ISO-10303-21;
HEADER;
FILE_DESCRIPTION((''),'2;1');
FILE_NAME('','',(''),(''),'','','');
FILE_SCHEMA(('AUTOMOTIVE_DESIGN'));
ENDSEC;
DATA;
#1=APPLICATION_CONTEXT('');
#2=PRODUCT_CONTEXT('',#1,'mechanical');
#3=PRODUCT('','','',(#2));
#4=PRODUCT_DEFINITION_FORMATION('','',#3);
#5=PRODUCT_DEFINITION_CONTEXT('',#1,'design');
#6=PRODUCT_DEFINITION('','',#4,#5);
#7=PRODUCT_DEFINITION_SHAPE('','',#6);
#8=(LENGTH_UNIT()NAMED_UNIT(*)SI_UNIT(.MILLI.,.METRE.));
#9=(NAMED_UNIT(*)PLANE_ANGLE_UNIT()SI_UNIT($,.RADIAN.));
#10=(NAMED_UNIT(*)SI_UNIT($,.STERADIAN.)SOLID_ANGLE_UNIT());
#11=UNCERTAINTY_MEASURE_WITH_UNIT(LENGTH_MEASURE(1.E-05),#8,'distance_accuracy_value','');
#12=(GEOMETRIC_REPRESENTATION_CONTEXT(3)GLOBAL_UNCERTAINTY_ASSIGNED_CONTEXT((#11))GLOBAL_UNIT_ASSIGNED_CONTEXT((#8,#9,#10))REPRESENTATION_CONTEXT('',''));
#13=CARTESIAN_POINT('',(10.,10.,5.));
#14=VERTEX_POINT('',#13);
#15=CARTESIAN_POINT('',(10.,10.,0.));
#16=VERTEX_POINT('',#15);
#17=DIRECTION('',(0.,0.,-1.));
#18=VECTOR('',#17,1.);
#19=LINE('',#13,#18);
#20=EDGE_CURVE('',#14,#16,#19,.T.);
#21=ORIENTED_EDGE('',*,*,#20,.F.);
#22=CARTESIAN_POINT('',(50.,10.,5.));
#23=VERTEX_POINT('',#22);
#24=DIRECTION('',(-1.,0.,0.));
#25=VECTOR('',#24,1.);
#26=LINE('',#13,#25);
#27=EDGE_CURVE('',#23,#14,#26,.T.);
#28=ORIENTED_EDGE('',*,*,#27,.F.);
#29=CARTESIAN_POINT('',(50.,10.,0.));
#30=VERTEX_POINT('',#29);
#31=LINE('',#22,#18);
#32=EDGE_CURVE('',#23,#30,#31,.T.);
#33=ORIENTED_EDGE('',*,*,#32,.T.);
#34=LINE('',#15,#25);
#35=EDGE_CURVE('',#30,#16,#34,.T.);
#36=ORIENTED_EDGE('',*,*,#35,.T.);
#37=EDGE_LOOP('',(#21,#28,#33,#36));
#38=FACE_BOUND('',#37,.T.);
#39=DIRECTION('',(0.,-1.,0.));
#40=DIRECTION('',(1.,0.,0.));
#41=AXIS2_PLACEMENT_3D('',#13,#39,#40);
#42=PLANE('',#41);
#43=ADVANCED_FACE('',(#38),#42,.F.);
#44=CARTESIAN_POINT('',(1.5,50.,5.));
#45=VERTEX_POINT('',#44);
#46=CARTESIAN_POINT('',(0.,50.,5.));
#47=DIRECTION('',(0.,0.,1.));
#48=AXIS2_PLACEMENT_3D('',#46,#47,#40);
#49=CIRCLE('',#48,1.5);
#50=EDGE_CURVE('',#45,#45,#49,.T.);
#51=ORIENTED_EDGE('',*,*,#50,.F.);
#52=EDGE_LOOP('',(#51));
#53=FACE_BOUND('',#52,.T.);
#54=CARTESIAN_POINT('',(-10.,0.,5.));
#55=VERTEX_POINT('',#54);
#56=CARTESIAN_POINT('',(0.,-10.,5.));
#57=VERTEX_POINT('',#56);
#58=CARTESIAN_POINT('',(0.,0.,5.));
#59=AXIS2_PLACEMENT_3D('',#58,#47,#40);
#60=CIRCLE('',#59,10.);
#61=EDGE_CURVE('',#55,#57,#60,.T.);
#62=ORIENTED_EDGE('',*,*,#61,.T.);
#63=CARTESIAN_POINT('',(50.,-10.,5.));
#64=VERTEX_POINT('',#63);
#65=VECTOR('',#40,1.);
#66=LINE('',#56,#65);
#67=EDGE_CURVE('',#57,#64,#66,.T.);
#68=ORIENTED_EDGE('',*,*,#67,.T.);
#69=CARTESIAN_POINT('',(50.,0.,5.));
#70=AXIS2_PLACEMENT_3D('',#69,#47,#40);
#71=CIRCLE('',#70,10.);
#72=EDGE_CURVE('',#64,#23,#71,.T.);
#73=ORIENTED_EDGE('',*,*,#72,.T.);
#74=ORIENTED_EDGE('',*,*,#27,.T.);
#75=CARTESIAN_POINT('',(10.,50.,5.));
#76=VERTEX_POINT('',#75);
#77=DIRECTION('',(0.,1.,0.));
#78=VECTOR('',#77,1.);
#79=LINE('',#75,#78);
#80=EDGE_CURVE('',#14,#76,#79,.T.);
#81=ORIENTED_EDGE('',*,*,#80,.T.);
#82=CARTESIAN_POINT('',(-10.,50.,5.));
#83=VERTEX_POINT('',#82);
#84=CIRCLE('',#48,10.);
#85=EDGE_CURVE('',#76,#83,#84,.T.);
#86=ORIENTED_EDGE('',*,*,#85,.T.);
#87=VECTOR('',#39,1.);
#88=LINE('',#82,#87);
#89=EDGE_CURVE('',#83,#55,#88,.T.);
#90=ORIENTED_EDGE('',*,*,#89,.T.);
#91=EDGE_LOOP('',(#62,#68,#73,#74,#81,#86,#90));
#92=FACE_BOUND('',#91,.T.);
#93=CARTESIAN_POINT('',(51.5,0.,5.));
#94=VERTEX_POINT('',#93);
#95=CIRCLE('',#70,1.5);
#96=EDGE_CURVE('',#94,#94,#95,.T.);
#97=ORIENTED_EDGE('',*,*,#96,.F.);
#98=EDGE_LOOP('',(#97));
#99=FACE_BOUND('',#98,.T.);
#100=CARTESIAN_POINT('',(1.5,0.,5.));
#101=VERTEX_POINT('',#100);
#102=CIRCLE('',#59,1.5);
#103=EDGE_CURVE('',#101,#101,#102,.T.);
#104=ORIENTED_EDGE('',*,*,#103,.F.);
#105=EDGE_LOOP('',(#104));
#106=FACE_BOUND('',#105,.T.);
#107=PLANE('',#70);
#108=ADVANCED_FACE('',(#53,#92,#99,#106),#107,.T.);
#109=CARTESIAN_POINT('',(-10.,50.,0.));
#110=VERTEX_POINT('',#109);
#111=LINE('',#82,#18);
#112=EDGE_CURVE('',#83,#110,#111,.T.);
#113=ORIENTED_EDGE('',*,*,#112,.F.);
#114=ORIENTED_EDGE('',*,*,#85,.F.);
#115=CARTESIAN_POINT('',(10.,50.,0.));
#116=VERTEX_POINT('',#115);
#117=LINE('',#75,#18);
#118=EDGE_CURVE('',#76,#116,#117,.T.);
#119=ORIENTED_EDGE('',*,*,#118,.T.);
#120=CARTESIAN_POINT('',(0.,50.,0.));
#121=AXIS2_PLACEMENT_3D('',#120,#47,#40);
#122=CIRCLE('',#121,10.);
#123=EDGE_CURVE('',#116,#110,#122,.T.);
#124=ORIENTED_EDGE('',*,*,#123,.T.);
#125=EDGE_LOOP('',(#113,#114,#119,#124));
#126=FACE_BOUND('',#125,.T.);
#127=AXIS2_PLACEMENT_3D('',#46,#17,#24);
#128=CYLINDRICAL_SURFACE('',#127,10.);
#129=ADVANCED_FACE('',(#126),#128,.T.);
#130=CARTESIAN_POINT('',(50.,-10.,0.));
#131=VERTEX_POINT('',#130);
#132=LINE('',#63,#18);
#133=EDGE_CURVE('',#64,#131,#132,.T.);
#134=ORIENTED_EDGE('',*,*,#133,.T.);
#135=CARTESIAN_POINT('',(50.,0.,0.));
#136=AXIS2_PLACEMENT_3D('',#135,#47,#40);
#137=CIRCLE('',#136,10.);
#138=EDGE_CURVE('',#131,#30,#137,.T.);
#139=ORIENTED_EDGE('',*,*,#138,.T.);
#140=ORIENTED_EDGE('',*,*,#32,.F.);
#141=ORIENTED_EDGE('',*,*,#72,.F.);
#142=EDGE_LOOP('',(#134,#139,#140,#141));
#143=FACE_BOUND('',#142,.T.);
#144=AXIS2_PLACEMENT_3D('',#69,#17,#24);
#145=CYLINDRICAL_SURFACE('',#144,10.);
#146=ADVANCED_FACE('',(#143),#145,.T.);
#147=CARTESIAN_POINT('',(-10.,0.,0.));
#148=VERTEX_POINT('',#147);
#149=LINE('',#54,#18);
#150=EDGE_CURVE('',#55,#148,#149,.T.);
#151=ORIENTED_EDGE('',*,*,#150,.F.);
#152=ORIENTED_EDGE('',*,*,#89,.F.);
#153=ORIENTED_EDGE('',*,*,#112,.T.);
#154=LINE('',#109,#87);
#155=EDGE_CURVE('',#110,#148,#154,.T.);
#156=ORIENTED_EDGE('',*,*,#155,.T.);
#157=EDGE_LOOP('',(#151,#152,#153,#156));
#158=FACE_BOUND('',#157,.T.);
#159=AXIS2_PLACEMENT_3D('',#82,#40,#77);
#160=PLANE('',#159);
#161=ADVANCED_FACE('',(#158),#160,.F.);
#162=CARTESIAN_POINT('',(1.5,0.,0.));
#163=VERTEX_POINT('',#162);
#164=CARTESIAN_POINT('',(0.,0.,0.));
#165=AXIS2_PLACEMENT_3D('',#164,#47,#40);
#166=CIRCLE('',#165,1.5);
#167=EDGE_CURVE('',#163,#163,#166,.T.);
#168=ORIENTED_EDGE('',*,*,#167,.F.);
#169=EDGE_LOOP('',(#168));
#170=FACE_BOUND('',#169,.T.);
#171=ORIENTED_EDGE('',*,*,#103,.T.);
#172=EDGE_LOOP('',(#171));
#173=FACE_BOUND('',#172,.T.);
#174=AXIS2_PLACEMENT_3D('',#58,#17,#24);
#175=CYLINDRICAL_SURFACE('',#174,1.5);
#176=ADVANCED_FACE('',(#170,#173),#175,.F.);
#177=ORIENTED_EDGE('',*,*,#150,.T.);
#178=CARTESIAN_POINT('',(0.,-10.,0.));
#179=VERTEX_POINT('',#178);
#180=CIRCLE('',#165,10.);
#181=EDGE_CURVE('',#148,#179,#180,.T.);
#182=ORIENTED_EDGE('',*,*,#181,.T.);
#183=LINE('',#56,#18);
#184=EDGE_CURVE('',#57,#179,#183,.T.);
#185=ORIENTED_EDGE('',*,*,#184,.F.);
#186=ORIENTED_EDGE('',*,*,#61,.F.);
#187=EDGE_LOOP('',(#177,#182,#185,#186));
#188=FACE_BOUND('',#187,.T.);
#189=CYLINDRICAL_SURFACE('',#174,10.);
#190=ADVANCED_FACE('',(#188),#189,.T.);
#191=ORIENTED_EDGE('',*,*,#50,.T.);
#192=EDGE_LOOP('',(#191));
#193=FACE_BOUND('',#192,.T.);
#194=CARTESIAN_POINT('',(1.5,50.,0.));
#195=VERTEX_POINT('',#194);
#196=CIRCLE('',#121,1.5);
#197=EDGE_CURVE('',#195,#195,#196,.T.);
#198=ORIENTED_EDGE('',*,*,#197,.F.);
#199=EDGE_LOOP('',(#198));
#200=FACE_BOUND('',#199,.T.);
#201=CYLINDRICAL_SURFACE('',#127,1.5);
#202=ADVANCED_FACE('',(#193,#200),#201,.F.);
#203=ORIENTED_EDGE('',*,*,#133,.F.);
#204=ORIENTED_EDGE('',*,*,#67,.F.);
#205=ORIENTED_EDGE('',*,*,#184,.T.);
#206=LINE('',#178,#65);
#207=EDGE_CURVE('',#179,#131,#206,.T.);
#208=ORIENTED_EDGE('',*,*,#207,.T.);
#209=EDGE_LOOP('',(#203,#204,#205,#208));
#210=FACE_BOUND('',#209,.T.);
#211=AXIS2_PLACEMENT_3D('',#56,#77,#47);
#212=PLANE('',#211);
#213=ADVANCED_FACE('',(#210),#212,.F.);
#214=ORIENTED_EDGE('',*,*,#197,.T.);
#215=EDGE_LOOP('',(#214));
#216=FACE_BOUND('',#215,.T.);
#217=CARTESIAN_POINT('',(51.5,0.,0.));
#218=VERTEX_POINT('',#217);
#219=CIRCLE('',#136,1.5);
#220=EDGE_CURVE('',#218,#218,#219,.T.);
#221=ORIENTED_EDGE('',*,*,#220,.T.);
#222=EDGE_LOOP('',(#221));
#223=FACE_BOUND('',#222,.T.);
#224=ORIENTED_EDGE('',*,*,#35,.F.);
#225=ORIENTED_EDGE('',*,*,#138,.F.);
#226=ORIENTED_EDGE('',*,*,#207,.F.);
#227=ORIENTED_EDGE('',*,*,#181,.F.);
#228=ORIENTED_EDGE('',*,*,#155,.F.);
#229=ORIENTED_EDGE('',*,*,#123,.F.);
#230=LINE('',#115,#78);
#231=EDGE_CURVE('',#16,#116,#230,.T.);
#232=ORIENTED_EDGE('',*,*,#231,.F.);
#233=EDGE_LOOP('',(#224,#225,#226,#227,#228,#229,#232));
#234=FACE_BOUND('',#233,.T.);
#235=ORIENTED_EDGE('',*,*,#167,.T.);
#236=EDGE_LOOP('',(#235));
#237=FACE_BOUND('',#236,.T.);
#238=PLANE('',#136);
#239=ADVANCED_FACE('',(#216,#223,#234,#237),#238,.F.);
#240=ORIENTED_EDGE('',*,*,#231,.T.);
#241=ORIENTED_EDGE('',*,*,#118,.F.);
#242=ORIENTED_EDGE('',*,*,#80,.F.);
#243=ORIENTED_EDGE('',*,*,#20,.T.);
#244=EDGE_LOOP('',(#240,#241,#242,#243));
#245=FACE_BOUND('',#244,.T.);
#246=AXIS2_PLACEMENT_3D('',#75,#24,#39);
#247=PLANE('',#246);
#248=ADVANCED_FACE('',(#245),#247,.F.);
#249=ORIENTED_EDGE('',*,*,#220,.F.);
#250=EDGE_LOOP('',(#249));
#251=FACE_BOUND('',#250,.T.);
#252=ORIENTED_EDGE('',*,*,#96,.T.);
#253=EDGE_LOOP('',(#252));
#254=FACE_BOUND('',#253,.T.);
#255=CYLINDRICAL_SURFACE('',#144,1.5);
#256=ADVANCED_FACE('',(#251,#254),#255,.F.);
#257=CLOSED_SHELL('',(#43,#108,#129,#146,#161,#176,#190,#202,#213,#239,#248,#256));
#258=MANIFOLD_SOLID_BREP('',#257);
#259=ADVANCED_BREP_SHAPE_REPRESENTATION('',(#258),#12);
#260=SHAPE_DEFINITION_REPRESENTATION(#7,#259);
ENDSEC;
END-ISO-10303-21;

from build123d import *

# Parameters (mm, degrees)
SKETCH2_R           = 1.5
BOSS_EXTRUDE1_DEPTH = 5


with BuildPart() as part:
    # Sketch2 → Boss-Extrude1 (new body)
    with BuildSketch(Plane.XY):
        with BuildLine():
            Line((-10, 50), (-10, 0))
            ThreePointArc((-10, 0), (-7.071067812, -7.071067812), (0, -10))
            Line((0, -10), (50, -10))
            ThreePointArc((50, -10), (60, 0), (50, 10))
            Line((50, 10), (10, 10))
            Line((10, 10), (10, 50))
            ThreePointArc((10, 50), (0, 60), (-10, 50))
        make_face()
        Circle(SKETCH2_R, mode=Mode.SUBTRACT)
        with Locations((0, 50)):
            Circle(SKETCH2_R, mode=Mode.SUBTRACT)
        with Locations((50, 0)):
            Circle(SKETCH2_R, mode=Mode.SUBTRACT)
    extrude(amount=BOSS_EXTRUDE1_DEPTH)


solid = part.part
